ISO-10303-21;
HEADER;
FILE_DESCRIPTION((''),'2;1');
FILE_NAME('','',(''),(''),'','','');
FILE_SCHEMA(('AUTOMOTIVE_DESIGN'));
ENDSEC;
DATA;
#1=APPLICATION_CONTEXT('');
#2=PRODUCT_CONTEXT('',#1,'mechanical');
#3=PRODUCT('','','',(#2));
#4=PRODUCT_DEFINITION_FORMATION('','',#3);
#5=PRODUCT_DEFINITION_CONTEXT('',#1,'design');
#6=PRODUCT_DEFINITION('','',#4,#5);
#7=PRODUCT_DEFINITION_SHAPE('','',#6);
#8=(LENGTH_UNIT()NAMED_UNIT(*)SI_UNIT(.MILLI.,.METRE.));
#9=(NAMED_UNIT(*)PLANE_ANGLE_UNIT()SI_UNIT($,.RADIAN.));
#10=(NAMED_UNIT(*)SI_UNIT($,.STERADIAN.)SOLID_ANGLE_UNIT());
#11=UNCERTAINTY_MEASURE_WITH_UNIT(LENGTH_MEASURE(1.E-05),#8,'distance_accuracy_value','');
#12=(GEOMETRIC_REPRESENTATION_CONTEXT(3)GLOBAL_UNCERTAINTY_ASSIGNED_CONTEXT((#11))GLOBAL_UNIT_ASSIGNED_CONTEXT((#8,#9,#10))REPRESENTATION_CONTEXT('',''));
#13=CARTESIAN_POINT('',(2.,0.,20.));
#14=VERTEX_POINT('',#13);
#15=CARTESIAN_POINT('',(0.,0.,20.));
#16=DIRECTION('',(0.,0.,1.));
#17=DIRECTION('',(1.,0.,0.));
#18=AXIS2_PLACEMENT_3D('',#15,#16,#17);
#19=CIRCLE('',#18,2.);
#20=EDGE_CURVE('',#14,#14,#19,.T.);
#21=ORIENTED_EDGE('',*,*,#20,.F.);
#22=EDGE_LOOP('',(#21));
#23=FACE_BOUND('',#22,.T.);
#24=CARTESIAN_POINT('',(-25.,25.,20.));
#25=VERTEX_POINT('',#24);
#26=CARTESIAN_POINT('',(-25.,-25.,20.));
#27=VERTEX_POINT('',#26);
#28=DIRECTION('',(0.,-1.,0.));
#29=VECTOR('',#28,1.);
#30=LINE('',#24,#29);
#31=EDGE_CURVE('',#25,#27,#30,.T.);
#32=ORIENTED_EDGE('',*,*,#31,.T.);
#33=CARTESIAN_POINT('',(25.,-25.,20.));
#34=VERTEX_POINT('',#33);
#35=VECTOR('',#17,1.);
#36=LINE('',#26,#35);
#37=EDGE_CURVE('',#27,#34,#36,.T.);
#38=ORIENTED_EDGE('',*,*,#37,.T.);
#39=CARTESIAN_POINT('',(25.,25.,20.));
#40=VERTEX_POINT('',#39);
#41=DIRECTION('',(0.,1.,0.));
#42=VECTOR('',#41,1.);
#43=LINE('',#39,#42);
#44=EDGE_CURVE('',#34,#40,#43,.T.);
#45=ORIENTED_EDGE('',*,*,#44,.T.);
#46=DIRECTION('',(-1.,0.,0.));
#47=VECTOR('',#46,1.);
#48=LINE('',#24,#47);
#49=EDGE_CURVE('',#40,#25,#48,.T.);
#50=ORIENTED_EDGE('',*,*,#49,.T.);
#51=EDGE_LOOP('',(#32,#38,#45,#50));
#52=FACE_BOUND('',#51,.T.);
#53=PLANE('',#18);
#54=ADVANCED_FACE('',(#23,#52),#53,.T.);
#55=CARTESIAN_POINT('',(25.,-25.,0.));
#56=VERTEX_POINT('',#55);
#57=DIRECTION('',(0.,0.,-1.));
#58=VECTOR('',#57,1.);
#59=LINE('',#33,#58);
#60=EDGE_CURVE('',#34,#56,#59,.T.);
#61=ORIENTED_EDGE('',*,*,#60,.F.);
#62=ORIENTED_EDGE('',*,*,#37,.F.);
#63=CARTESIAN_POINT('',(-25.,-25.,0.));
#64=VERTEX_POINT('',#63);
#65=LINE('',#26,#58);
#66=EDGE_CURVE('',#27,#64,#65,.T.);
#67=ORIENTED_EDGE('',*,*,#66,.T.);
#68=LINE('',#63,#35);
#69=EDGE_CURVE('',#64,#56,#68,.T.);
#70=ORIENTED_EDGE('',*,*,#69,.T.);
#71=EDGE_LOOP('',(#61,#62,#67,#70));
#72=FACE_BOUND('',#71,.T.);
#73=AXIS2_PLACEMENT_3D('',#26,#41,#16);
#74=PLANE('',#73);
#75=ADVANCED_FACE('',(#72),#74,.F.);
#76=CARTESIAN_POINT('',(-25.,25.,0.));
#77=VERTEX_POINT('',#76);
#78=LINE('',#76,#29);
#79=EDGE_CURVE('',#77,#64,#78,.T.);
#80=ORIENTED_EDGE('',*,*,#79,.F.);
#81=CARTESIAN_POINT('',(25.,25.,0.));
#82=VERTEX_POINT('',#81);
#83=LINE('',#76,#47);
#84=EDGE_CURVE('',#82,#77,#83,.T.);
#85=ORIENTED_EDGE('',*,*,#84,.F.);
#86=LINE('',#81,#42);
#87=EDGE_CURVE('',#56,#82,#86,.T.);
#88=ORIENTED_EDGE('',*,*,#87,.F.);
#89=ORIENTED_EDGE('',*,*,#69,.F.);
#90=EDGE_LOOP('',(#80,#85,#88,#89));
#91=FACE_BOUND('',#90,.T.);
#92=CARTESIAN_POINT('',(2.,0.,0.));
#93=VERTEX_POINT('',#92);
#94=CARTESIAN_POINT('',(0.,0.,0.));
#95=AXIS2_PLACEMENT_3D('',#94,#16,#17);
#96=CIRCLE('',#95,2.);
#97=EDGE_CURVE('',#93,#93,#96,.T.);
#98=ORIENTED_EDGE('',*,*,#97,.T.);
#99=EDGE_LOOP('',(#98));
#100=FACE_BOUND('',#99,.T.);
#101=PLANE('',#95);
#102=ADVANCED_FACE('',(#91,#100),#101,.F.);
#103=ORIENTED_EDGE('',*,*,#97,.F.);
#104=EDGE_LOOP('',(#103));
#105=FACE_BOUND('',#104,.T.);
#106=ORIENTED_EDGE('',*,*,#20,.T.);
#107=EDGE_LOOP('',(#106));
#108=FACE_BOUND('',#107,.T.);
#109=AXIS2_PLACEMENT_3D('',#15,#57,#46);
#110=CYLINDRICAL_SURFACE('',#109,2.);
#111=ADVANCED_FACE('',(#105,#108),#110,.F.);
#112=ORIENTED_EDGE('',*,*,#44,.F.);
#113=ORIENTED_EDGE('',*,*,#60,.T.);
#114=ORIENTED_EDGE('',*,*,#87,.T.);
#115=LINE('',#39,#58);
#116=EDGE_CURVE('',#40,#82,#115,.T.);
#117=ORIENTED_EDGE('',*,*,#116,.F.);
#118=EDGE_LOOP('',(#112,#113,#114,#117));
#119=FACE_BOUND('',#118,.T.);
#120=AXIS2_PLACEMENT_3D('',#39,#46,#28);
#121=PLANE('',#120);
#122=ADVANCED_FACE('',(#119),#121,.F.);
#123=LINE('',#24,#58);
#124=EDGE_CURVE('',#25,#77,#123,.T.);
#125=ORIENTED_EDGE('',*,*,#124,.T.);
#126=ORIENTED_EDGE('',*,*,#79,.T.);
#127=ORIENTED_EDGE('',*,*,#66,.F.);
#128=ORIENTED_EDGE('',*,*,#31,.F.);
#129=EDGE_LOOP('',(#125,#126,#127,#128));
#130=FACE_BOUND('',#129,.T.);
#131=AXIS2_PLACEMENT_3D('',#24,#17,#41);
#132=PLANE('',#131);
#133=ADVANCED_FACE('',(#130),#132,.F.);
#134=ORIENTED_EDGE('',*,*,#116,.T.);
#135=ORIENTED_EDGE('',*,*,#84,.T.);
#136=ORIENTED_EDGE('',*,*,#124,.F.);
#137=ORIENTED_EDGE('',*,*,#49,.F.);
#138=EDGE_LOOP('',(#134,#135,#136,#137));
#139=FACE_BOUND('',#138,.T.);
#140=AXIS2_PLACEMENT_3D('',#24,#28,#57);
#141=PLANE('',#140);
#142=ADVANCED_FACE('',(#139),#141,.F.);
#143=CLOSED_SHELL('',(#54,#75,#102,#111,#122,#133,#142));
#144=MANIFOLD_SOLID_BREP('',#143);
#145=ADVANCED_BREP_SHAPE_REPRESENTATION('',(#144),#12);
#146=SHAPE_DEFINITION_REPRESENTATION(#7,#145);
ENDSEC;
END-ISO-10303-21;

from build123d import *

# Parameters (mm, degrees)
SKETCH1_W           = 50
SKETCH1_H           = 50
SKETCH1_R           = 2
BOSS_EXTRUDE1_DEPTH = 20


with BuildPart() as part:
    # Sketch1 → Boss-Extrude1 (new body)
    with BuildSketch(Plane.XY):
        Rectangle(SKETCH1_W, SKETCH1_H)
        Circle(SKETCH1_R, mode=Mode.SUBTRACT)
    extrude(amount=BOSS_EXTRUDE1_DEPTH)


solid = part.part
